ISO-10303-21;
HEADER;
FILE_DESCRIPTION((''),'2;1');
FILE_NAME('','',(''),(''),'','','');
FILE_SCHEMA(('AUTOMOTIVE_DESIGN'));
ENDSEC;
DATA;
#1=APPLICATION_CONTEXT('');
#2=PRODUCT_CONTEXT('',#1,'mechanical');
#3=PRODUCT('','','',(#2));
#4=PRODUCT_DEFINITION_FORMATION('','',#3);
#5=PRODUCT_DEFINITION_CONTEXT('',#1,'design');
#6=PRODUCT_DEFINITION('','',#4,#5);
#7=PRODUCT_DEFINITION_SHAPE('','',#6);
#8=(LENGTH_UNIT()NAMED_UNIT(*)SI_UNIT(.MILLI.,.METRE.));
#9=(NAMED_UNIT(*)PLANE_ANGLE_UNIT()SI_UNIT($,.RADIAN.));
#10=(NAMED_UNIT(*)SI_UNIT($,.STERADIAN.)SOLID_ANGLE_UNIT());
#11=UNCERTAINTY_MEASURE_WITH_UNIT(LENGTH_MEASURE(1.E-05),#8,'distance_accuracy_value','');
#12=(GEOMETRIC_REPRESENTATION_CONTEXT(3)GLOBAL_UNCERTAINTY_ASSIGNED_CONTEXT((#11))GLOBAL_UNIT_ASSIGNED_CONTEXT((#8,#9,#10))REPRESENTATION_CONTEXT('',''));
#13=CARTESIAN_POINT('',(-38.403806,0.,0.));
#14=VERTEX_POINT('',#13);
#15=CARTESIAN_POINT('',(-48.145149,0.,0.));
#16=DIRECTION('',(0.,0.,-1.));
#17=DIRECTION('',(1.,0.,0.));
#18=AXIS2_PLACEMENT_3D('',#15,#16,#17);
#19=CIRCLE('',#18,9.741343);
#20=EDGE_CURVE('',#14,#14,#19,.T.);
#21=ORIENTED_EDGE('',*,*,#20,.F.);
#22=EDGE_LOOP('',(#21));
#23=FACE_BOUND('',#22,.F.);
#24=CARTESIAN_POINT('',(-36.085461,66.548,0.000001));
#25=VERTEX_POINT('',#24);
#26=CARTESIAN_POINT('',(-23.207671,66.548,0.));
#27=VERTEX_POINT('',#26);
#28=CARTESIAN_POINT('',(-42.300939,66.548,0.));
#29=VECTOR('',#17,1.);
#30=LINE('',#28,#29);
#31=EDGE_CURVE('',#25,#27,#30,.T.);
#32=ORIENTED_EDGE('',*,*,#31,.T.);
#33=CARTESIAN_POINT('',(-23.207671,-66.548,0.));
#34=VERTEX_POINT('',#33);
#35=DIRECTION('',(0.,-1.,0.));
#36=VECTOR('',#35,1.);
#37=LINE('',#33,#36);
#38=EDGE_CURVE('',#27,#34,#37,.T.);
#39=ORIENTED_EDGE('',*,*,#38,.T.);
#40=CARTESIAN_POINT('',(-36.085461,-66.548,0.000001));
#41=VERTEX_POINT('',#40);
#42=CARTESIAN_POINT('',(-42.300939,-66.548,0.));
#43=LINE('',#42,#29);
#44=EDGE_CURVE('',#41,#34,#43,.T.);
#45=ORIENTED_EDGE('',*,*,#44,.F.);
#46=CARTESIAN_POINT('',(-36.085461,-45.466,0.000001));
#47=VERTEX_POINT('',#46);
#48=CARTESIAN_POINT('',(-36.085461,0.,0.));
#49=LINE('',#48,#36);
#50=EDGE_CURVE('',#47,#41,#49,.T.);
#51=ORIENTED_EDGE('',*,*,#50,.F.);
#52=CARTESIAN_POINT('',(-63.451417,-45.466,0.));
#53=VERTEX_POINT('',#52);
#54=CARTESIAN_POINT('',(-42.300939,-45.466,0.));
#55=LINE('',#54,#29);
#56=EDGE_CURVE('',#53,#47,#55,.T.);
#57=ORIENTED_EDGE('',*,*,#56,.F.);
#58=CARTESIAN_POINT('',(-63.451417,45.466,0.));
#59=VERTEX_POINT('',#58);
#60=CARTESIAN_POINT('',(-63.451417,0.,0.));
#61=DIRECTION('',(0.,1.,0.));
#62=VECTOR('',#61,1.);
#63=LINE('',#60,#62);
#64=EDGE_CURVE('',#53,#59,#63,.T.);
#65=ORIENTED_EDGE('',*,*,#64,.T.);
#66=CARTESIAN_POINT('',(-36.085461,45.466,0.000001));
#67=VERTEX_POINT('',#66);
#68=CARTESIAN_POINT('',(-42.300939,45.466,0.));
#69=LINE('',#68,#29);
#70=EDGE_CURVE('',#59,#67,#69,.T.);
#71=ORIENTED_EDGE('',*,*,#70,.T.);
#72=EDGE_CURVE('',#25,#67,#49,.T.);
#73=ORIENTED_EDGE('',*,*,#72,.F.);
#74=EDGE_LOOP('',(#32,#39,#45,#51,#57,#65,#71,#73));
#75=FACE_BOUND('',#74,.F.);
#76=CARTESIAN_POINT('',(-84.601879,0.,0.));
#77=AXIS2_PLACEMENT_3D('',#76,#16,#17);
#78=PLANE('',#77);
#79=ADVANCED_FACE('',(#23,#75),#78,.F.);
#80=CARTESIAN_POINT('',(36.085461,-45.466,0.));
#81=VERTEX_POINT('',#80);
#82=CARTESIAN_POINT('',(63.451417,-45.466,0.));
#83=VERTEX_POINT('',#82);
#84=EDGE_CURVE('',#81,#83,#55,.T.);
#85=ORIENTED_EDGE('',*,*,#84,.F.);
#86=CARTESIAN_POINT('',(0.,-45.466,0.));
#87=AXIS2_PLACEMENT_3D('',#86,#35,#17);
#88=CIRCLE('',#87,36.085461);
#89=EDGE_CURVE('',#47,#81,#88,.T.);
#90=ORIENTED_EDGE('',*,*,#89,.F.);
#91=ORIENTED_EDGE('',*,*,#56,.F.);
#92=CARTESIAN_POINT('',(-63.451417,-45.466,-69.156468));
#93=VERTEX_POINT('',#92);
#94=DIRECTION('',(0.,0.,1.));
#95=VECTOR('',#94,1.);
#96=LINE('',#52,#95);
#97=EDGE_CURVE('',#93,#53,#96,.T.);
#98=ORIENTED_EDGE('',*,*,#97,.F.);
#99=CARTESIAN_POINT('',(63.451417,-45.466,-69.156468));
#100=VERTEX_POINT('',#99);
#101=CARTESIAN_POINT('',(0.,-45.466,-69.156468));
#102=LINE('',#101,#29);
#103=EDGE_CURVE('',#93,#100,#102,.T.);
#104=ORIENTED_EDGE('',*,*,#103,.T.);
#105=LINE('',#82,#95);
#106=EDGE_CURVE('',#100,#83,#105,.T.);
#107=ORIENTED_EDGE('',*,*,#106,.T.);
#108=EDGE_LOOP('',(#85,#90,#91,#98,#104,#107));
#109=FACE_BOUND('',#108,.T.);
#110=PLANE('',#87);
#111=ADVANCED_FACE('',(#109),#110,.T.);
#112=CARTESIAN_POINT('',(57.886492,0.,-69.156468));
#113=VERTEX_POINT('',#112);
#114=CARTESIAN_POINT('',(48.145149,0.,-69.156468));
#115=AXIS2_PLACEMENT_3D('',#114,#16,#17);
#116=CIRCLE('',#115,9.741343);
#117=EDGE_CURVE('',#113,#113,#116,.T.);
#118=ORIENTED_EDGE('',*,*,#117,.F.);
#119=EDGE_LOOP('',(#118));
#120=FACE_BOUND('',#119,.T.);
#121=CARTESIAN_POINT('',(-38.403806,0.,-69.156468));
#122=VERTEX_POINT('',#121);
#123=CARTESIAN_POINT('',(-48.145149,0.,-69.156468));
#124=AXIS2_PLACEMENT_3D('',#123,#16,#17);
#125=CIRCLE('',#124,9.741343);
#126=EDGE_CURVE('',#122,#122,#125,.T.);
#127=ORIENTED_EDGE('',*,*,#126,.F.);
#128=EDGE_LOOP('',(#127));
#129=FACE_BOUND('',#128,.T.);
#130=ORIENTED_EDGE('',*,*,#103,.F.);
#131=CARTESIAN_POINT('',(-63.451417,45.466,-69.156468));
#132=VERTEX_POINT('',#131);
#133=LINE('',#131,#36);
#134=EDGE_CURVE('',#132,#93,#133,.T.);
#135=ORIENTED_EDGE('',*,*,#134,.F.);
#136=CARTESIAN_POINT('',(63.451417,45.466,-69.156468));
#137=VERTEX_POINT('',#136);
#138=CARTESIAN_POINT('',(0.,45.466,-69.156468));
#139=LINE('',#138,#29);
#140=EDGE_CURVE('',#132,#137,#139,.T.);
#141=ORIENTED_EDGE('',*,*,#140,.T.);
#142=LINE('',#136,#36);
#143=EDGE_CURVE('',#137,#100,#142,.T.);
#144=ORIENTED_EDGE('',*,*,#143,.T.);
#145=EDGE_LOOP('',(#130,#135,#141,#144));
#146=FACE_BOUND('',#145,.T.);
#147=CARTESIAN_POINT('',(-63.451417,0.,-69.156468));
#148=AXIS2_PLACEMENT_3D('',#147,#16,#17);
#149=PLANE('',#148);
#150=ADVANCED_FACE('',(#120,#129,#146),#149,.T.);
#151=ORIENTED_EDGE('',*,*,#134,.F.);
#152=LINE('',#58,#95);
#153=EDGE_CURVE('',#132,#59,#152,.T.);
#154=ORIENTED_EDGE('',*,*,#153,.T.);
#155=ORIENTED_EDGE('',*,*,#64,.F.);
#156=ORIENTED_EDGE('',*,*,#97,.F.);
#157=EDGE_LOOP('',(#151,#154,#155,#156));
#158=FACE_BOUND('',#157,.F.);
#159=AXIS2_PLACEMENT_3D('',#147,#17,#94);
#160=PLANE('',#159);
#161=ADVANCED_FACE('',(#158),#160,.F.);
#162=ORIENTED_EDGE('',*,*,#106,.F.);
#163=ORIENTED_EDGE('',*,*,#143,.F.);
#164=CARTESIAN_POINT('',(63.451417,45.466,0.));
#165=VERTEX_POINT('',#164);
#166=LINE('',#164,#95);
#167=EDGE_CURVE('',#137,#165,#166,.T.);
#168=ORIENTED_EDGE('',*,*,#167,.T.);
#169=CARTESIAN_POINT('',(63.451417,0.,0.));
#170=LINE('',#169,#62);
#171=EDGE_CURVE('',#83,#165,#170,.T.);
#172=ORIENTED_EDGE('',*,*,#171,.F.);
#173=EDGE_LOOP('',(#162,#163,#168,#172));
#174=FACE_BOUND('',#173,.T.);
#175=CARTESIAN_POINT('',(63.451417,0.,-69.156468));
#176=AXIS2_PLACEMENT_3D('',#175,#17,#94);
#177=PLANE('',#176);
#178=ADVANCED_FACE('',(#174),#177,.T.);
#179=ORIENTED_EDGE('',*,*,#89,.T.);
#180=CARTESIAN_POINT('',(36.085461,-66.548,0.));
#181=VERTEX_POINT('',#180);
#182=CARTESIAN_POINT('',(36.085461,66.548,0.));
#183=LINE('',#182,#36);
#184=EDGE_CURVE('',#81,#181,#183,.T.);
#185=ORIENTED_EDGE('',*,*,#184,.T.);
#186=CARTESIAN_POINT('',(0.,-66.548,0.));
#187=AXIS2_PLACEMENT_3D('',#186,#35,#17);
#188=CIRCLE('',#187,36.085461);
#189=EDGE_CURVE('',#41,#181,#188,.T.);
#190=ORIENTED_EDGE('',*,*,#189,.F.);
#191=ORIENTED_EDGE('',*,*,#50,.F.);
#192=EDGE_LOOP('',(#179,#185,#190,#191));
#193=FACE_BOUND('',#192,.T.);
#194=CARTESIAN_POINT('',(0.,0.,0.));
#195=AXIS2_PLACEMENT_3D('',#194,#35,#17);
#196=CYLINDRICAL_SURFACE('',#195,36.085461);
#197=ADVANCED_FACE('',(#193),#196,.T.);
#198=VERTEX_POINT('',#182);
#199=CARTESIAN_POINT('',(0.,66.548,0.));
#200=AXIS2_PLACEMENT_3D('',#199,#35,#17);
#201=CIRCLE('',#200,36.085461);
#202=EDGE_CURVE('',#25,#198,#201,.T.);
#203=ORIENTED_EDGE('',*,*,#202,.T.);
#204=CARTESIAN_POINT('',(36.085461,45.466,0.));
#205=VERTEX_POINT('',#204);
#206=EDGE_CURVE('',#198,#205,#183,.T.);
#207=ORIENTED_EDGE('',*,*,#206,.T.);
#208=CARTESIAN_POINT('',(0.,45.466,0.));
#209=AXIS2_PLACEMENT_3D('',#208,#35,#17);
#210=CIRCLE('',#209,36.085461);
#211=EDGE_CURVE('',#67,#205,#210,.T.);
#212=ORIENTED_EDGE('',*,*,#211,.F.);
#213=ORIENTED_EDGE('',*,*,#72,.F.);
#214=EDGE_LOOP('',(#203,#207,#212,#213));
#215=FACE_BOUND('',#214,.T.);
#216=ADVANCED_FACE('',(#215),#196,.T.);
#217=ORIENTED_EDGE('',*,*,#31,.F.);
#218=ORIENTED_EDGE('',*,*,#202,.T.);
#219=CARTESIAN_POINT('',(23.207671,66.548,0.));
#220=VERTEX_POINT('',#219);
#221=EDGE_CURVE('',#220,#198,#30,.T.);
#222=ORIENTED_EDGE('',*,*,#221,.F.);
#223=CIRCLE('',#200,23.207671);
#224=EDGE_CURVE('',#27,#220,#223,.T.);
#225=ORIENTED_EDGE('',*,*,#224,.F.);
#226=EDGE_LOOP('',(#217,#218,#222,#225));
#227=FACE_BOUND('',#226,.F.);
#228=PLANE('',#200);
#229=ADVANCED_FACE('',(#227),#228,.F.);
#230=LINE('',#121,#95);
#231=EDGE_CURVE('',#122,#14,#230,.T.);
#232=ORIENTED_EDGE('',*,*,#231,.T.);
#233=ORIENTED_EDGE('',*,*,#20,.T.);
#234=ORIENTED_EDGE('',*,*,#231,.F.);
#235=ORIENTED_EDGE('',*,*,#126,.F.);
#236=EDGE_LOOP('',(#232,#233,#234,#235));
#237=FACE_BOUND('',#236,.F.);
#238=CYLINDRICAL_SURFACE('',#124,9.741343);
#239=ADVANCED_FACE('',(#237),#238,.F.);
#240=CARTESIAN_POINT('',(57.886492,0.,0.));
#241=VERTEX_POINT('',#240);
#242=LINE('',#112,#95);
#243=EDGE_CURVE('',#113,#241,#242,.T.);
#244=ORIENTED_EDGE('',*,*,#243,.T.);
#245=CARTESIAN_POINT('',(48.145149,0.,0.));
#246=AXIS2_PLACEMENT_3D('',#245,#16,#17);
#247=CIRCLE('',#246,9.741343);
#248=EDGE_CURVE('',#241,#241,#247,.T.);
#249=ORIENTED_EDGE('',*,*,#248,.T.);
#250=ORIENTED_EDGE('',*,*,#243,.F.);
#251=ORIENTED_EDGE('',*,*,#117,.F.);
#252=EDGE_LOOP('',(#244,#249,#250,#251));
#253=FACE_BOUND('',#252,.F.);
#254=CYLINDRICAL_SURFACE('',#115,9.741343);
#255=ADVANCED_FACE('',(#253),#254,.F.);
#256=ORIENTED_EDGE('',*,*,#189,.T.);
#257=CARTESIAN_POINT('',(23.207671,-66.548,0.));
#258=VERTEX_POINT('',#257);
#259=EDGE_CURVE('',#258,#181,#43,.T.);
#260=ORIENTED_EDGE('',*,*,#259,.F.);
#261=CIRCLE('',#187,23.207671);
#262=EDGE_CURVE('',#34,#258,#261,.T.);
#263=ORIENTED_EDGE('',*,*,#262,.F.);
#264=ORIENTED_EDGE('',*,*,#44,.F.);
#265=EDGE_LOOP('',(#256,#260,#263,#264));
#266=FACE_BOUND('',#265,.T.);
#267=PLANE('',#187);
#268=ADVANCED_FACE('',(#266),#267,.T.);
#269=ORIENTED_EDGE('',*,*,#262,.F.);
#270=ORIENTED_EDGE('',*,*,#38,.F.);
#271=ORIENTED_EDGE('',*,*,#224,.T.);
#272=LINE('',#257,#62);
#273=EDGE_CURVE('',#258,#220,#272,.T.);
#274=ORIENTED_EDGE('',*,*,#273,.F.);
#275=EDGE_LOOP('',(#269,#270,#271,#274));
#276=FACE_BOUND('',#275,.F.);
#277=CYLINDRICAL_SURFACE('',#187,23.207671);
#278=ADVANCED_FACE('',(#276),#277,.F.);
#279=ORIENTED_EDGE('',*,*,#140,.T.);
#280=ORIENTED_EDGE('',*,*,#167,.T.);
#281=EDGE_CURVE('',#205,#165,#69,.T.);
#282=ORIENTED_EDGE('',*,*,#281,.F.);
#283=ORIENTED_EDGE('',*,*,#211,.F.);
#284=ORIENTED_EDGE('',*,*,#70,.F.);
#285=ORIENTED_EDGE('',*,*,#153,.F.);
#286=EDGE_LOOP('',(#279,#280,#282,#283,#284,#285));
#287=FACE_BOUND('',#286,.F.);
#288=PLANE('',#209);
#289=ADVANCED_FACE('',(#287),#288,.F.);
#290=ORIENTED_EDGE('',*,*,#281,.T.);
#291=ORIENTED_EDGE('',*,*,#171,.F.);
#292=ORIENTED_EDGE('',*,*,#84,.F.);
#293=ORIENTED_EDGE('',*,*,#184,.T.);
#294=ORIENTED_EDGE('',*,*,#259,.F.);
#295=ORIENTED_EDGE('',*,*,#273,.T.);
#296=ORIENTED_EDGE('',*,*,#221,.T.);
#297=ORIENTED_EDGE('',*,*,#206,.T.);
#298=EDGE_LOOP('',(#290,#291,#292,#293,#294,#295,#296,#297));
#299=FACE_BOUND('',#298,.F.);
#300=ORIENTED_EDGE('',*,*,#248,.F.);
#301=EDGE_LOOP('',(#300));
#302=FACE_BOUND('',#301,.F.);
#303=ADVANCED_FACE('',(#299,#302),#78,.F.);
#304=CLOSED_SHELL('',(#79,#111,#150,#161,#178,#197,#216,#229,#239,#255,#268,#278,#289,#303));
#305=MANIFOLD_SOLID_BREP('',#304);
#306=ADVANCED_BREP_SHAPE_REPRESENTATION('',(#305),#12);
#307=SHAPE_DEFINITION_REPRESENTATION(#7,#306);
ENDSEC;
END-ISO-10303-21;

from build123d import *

# Parameters (mm, degrees)
F0_W     = 126.902834
F0_H     = 138.312936
F1_DEPTH = 45.466
F2_R     = 36.085461
F3_DEPTH = 66.548
F4_R     = 23.207671
F5_DEPTH = 157.988
F6_W     = 174.213074
F6_H     = 78.061931
F7_DEPTH = 75.946
F8_R     = 9.741343
F9_DEPTH = 80.264


with BuildPart() as f1:
    # F0 (on Front) → F1 (new body, symmetric)
    with BuildSketch(Plane.XZ):
        Rectangle(F0_W, F0_H)
    extrude(amount=F1_DEPTH, both=True)

    # F2 (on Front) → F3 (join, symmetric)
    with BuildSketch(Plane.XZ):
        Circle(F2_R)
    extrude(amount=F3_DEPTH, both=True)

    # F4 (on face) → F5 (cut)
    with BuildSketch(Plane.XZ.offset(66.548)):
        Circle(F4_R)
    extrude(amount=-F5_DEPTH, mode=Mode.SUBTRACT)

    # F6 (on Front) → F7 (cut, symmetric)
    with BuildSketch(Plane.XZ):
        with Locations((2.504658, 39.030966)):
            Rectangle(F6_W, F6_H)
    extrude(amount=F7_DEPTH, both=True, mode=Mode.SUBTRACT)

    # F8 (on face) → F9 (cut)
    with BuildSketch(Plane(origin=(0, 0, -69.156468), x_dir=(1, 0, 0), z_dir=(0, 0, -1))):
        with Locations((48.145149, 0)):
            Circle(F8_R)
        with Locations((-48.145149, 0)):
            Circle(F8_R)
    extrude(amount=-F9_DEPTH, mode=Mode.SUBTRACT)


solid = f1.part
